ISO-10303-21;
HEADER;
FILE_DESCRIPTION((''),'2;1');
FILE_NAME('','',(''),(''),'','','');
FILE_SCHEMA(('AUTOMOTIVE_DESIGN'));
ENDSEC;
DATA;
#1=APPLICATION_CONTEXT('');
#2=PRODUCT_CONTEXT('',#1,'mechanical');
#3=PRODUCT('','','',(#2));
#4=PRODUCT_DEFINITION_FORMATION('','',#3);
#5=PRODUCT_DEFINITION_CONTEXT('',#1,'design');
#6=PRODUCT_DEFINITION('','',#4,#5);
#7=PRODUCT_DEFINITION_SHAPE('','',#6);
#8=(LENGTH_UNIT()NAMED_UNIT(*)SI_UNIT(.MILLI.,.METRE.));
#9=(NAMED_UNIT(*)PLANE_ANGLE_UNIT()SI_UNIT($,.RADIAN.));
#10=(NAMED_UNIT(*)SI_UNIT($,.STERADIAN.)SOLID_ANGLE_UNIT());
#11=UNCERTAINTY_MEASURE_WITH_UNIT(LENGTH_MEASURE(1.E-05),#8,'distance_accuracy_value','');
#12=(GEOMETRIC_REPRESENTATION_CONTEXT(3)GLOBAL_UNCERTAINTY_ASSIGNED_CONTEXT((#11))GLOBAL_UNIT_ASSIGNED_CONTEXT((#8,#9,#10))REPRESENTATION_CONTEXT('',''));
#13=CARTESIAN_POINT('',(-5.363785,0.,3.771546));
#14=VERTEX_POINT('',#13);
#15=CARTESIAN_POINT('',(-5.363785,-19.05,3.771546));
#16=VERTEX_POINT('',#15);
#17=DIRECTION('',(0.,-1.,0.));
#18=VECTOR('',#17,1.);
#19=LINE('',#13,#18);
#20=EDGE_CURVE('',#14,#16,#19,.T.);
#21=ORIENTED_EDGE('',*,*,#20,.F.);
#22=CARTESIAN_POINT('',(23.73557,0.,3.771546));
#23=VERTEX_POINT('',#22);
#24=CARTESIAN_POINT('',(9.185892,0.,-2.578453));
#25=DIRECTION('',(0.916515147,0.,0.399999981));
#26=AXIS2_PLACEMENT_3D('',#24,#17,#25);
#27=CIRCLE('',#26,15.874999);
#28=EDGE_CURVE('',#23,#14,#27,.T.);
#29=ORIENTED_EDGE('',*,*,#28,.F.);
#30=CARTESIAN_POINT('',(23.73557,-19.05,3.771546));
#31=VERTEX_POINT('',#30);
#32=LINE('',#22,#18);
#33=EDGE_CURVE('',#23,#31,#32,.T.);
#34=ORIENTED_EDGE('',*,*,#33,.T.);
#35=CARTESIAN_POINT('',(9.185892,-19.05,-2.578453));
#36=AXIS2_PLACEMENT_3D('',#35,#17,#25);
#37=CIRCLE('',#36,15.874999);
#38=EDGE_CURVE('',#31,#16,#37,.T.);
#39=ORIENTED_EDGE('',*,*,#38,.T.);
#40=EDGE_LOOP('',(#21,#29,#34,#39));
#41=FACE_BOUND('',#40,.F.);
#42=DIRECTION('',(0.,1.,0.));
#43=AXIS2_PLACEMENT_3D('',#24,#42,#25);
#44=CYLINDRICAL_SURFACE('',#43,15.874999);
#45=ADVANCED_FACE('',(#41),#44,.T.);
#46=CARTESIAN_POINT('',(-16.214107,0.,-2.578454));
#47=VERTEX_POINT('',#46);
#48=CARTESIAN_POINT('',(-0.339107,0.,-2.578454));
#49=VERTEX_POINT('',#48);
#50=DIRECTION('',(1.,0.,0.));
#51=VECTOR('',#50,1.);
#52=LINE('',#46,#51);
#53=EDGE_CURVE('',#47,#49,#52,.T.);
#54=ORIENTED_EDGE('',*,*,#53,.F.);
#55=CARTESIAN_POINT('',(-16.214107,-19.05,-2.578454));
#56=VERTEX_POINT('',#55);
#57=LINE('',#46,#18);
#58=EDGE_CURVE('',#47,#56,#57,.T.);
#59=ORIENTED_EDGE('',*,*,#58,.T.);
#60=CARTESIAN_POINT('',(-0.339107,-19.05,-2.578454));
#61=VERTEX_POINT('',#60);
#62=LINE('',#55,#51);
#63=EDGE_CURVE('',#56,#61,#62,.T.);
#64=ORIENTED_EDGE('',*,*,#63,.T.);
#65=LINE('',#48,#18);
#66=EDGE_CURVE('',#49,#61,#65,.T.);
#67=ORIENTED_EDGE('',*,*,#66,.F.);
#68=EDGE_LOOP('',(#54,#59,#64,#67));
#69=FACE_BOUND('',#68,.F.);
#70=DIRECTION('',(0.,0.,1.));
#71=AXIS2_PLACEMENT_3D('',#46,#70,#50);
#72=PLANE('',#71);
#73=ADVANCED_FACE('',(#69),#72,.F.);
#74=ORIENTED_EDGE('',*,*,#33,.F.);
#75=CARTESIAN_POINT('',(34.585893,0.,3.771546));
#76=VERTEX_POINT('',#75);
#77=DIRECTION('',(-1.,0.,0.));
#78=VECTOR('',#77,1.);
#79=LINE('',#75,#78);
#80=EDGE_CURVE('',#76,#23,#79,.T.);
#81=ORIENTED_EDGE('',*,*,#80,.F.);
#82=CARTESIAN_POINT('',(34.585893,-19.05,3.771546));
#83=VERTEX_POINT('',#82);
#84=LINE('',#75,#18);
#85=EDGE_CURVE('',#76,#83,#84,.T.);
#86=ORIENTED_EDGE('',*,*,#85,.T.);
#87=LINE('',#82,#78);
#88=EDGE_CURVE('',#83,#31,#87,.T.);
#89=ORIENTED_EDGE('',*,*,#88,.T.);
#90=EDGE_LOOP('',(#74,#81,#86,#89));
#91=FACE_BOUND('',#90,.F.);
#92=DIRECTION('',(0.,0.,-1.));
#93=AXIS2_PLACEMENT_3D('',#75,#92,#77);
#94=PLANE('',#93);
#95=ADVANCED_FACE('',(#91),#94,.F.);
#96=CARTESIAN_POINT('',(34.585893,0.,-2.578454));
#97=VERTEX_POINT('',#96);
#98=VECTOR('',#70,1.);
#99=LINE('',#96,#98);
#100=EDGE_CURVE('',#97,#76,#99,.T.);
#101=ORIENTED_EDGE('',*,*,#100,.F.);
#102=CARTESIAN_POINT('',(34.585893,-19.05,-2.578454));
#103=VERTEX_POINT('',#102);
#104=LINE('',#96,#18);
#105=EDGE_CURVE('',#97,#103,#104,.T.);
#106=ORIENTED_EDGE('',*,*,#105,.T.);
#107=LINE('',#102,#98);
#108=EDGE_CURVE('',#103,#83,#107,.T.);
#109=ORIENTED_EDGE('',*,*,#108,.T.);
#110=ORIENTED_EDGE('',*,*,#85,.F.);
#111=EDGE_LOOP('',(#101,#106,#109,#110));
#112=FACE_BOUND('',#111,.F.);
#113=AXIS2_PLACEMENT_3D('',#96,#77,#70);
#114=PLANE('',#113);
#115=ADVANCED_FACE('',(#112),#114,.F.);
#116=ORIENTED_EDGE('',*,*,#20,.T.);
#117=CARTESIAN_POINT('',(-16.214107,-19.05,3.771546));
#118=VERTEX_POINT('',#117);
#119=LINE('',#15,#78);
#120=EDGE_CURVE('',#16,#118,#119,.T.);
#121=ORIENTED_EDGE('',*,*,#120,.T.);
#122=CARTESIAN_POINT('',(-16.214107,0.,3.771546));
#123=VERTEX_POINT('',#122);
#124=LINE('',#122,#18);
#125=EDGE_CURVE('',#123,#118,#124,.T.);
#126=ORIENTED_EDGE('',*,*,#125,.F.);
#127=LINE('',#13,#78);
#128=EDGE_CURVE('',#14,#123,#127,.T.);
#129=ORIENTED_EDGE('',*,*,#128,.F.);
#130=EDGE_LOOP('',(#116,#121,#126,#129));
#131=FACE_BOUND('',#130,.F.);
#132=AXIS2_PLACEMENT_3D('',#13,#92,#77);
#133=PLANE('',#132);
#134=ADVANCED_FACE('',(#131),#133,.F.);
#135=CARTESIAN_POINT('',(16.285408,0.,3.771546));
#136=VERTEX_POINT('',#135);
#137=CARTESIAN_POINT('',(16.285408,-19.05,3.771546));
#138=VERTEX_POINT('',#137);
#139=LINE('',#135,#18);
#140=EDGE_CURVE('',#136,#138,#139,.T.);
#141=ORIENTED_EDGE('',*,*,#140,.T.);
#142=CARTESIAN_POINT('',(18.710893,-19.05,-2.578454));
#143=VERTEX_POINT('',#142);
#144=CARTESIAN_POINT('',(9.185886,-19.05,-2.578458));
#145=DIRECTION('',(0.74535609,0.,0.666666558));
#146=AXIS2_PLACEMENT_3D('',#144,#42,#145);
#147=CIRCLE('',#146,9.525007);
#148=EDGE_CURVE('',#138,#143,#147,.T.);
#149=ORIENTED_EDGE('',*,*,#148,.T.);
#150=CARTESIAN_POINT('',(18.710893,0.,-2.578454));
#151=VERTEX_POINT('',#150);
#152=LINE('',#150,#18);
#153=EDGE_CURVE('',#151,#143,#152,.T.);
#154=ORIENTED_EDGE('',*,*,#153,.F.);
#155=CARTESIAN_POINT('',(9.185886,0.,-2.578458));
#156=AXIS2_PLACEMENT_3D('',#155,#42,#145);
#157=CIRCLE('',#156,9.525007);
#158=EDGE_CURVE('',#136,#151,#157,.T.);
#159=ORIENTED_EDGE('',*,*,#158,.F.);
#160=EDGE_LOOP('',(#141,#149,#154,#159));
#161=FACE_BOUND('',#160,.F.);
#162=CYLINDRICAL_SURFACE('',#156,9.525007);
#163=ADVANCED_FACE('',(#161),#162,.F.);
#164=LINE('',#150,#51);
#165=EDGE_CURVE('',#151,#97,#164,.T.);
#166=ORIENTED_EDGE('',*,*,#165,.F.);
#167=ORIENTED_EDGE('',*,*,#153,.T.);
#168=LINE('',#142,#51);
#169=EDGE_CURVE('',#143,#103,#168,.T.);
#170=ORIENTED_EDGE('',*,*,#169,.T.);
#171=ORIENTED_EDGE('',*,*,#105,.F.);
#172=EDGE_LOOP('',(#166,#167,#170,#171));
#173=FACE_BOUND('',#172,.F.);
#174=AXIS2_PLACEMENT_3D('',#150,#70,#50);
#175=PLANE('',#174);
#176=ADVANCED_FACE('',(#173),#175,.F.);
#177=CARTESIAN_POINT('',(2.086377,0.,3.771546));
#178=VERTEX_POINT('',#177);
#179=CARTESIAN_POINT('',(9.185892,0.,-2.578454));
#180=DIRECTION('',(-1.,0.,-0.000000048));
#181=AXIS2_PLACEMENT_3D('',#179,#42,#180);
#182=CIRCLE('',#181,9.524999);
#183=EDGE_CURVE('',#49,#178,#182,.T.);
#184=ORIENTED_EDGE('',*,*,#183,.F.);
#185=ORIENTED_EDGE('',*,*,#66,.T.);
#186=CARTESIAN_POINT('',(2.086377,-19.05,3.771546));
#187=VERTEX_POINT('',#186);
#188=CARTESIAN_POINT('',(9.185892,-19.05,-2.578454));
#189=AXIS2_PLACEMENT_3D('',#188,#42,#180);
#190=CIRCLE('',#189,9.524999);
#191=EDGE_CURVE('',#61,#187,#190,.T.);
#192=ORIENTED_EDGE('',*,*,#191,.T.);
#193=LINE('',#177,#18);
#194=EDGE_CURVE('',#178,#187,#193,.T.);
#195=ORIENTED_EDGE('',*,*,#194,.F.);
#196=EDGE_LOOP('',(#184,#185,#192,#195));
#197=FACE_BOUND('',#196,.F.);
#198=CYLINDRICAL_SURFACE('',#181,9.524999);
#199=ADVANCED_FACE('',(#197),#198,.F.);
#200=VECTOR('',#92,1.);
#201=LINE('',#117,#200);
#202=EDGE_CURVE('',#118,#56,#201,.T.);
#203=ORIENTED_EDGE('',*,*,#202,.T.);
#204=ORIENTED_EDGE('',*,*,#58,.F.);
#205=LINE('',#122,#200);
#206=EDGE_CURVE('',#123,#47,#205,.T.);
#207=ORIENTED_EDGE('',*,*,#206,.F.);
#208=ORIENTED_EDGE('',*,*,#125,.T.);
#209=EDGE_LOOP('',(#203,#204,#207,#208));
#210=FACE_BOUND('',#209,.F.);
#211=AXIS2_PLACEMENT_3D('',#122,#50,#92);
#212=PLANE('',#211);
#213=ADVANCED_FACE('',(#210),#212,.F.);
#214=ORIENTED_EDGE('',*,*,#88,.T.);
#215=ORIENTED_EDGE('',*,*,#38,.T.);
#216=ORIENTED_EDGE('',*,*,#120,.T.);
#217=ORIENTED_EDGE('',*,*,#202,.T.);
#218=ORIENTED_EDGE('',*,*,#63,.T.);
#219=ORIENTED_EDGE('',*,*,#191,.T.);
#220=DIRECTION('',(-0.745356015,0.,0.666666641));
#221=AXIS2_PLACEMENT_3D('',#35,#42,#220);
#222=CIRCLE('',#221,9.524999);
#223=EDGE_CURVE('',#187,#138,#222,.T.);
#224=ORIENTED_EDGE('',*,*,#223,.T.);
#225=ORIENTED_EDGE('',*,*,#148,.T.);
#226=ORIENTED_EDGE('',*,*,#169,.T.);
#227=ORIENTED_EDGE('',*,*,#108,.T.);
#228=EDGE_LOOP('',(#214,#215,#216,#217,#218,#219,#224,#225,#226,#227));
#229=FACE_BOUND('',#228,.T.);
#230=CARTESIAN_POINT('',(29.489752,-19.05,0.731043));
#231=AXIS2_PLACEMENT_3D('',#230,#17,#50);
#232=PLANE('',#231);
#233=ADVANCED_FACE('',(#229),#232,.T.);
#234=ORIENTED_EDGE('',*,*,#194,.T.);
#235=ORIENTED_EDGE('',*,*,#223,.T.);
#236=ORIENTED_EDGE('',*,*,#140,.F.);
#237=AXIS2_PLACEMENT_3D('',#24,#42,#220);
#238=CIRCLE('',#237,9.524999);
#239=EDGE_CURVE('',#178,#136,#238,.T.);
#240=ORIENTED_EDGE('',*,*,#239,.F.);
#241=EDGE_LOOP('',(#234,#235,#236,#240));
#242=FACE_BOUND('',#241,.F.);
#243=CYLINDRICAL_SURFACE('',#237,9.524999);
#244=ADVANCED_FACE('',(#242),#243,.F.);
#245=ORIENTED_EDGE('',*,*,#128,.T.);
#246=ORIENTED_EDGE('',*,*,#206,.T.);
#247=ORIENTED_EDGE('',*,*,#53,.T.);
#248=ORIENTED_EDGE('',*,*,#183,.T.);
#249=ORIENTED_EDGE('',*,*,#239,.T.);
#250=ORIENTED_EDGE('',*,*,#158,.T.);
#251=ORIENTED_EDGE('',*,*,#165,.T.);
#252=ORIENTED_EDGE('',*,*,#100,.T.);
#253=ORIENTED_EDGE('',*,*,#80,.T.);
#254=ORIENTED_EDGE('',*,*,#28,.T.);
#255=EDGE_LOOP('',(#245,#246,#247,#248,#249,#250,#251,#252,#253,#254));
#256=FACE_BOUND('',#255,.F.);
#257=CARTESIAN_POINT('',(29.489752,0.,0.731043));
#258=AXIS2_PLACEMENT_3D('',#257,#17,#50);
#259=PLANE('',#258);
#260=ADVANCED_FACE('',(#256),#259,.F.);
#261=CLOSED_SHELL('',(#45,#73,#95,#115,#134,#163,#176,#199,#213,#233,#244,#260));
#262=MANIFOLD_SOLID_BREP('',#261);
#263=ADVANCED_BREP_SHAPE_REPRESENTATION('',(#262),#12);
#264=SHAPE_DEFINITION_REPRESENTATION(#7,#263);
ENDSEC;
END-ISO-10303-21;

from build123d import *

# Parameters (mm, degrees)
F1_DEPTH = 19.05


with BuildPart() as f1:
    # F0 (on Front) → F1 (new body)
    with BuildSketch(Plane.XZ):
        with BuildLine():
            Line((34.585893, -2.578454), (34.585893, 3.771546))
            Line((34.585893, 3.771546), (23.73557, 3.771546))
            ThreePointArc((23.73557, 3.771546), (24.72603, 0.664961), (25.060893, -2.578454))
            Line((25.060893, -2.578454), (34.585893, -2.578454))
        make_face()
        with BuildLine():
            ThreePointArc((25.060893, -2.578454), (24.72603, 0.664961), (23.73557, 3.771546))
            Line((23.73557, 3.771546), (16.285408, 3.771546))
            ThreePointArc((16.285408, 3.771546), (18.083884, 0.820276), (18.710893, -2.578454))
            Line((18.710893, -2.578454), (25.060893, -2.578454))
        make_face()
        with BuildLine():
            Line((16.285408, 3.771546), (23.73557, 3.771546))
            ThreePointArc((23.73557, 3.771546), (9.185893, 13.296546), (-5.363785, 3.771546))
            Line((-5.363785, 3.771546), (2.086377, 3.771546))
            ThreePointArc((2.086377, 3.771546), (9.185893, 6.946546), (16.285408, 3.771546))
        make_face()
        with BuildLine():
            Line((2.086377, 3.771546), (-5.363785, 3.771546))
            ThreePointArc((-5.363785, 3.771546), (-6.354245, 0.664961), (-6.689107, -2.578454))
            Line((-6.689107, -2.578454), (-0.339107, -2.578454))
            ThreePointArc((-0.339107, -2.578454), (0.287901, 0.820276), (2.086377, 3.771546))
        make_face()
        with BuildLine():
            ThreePointArc((-6.689107, -2.578454), (-6.354245, 0.664961), (-5.363785, 3.771546))
            Line((-5.363785, 3.771546), (-16.214107, 3.771546))
            Line((-16.214107, 3.771546), (-16.214107, -2.578454))
            Line((-16.214107, -2.578454), (-6.689107, -2.578454))
        make_face()
    extrude(amount=F1_DEPTH)


solid = f1.part
